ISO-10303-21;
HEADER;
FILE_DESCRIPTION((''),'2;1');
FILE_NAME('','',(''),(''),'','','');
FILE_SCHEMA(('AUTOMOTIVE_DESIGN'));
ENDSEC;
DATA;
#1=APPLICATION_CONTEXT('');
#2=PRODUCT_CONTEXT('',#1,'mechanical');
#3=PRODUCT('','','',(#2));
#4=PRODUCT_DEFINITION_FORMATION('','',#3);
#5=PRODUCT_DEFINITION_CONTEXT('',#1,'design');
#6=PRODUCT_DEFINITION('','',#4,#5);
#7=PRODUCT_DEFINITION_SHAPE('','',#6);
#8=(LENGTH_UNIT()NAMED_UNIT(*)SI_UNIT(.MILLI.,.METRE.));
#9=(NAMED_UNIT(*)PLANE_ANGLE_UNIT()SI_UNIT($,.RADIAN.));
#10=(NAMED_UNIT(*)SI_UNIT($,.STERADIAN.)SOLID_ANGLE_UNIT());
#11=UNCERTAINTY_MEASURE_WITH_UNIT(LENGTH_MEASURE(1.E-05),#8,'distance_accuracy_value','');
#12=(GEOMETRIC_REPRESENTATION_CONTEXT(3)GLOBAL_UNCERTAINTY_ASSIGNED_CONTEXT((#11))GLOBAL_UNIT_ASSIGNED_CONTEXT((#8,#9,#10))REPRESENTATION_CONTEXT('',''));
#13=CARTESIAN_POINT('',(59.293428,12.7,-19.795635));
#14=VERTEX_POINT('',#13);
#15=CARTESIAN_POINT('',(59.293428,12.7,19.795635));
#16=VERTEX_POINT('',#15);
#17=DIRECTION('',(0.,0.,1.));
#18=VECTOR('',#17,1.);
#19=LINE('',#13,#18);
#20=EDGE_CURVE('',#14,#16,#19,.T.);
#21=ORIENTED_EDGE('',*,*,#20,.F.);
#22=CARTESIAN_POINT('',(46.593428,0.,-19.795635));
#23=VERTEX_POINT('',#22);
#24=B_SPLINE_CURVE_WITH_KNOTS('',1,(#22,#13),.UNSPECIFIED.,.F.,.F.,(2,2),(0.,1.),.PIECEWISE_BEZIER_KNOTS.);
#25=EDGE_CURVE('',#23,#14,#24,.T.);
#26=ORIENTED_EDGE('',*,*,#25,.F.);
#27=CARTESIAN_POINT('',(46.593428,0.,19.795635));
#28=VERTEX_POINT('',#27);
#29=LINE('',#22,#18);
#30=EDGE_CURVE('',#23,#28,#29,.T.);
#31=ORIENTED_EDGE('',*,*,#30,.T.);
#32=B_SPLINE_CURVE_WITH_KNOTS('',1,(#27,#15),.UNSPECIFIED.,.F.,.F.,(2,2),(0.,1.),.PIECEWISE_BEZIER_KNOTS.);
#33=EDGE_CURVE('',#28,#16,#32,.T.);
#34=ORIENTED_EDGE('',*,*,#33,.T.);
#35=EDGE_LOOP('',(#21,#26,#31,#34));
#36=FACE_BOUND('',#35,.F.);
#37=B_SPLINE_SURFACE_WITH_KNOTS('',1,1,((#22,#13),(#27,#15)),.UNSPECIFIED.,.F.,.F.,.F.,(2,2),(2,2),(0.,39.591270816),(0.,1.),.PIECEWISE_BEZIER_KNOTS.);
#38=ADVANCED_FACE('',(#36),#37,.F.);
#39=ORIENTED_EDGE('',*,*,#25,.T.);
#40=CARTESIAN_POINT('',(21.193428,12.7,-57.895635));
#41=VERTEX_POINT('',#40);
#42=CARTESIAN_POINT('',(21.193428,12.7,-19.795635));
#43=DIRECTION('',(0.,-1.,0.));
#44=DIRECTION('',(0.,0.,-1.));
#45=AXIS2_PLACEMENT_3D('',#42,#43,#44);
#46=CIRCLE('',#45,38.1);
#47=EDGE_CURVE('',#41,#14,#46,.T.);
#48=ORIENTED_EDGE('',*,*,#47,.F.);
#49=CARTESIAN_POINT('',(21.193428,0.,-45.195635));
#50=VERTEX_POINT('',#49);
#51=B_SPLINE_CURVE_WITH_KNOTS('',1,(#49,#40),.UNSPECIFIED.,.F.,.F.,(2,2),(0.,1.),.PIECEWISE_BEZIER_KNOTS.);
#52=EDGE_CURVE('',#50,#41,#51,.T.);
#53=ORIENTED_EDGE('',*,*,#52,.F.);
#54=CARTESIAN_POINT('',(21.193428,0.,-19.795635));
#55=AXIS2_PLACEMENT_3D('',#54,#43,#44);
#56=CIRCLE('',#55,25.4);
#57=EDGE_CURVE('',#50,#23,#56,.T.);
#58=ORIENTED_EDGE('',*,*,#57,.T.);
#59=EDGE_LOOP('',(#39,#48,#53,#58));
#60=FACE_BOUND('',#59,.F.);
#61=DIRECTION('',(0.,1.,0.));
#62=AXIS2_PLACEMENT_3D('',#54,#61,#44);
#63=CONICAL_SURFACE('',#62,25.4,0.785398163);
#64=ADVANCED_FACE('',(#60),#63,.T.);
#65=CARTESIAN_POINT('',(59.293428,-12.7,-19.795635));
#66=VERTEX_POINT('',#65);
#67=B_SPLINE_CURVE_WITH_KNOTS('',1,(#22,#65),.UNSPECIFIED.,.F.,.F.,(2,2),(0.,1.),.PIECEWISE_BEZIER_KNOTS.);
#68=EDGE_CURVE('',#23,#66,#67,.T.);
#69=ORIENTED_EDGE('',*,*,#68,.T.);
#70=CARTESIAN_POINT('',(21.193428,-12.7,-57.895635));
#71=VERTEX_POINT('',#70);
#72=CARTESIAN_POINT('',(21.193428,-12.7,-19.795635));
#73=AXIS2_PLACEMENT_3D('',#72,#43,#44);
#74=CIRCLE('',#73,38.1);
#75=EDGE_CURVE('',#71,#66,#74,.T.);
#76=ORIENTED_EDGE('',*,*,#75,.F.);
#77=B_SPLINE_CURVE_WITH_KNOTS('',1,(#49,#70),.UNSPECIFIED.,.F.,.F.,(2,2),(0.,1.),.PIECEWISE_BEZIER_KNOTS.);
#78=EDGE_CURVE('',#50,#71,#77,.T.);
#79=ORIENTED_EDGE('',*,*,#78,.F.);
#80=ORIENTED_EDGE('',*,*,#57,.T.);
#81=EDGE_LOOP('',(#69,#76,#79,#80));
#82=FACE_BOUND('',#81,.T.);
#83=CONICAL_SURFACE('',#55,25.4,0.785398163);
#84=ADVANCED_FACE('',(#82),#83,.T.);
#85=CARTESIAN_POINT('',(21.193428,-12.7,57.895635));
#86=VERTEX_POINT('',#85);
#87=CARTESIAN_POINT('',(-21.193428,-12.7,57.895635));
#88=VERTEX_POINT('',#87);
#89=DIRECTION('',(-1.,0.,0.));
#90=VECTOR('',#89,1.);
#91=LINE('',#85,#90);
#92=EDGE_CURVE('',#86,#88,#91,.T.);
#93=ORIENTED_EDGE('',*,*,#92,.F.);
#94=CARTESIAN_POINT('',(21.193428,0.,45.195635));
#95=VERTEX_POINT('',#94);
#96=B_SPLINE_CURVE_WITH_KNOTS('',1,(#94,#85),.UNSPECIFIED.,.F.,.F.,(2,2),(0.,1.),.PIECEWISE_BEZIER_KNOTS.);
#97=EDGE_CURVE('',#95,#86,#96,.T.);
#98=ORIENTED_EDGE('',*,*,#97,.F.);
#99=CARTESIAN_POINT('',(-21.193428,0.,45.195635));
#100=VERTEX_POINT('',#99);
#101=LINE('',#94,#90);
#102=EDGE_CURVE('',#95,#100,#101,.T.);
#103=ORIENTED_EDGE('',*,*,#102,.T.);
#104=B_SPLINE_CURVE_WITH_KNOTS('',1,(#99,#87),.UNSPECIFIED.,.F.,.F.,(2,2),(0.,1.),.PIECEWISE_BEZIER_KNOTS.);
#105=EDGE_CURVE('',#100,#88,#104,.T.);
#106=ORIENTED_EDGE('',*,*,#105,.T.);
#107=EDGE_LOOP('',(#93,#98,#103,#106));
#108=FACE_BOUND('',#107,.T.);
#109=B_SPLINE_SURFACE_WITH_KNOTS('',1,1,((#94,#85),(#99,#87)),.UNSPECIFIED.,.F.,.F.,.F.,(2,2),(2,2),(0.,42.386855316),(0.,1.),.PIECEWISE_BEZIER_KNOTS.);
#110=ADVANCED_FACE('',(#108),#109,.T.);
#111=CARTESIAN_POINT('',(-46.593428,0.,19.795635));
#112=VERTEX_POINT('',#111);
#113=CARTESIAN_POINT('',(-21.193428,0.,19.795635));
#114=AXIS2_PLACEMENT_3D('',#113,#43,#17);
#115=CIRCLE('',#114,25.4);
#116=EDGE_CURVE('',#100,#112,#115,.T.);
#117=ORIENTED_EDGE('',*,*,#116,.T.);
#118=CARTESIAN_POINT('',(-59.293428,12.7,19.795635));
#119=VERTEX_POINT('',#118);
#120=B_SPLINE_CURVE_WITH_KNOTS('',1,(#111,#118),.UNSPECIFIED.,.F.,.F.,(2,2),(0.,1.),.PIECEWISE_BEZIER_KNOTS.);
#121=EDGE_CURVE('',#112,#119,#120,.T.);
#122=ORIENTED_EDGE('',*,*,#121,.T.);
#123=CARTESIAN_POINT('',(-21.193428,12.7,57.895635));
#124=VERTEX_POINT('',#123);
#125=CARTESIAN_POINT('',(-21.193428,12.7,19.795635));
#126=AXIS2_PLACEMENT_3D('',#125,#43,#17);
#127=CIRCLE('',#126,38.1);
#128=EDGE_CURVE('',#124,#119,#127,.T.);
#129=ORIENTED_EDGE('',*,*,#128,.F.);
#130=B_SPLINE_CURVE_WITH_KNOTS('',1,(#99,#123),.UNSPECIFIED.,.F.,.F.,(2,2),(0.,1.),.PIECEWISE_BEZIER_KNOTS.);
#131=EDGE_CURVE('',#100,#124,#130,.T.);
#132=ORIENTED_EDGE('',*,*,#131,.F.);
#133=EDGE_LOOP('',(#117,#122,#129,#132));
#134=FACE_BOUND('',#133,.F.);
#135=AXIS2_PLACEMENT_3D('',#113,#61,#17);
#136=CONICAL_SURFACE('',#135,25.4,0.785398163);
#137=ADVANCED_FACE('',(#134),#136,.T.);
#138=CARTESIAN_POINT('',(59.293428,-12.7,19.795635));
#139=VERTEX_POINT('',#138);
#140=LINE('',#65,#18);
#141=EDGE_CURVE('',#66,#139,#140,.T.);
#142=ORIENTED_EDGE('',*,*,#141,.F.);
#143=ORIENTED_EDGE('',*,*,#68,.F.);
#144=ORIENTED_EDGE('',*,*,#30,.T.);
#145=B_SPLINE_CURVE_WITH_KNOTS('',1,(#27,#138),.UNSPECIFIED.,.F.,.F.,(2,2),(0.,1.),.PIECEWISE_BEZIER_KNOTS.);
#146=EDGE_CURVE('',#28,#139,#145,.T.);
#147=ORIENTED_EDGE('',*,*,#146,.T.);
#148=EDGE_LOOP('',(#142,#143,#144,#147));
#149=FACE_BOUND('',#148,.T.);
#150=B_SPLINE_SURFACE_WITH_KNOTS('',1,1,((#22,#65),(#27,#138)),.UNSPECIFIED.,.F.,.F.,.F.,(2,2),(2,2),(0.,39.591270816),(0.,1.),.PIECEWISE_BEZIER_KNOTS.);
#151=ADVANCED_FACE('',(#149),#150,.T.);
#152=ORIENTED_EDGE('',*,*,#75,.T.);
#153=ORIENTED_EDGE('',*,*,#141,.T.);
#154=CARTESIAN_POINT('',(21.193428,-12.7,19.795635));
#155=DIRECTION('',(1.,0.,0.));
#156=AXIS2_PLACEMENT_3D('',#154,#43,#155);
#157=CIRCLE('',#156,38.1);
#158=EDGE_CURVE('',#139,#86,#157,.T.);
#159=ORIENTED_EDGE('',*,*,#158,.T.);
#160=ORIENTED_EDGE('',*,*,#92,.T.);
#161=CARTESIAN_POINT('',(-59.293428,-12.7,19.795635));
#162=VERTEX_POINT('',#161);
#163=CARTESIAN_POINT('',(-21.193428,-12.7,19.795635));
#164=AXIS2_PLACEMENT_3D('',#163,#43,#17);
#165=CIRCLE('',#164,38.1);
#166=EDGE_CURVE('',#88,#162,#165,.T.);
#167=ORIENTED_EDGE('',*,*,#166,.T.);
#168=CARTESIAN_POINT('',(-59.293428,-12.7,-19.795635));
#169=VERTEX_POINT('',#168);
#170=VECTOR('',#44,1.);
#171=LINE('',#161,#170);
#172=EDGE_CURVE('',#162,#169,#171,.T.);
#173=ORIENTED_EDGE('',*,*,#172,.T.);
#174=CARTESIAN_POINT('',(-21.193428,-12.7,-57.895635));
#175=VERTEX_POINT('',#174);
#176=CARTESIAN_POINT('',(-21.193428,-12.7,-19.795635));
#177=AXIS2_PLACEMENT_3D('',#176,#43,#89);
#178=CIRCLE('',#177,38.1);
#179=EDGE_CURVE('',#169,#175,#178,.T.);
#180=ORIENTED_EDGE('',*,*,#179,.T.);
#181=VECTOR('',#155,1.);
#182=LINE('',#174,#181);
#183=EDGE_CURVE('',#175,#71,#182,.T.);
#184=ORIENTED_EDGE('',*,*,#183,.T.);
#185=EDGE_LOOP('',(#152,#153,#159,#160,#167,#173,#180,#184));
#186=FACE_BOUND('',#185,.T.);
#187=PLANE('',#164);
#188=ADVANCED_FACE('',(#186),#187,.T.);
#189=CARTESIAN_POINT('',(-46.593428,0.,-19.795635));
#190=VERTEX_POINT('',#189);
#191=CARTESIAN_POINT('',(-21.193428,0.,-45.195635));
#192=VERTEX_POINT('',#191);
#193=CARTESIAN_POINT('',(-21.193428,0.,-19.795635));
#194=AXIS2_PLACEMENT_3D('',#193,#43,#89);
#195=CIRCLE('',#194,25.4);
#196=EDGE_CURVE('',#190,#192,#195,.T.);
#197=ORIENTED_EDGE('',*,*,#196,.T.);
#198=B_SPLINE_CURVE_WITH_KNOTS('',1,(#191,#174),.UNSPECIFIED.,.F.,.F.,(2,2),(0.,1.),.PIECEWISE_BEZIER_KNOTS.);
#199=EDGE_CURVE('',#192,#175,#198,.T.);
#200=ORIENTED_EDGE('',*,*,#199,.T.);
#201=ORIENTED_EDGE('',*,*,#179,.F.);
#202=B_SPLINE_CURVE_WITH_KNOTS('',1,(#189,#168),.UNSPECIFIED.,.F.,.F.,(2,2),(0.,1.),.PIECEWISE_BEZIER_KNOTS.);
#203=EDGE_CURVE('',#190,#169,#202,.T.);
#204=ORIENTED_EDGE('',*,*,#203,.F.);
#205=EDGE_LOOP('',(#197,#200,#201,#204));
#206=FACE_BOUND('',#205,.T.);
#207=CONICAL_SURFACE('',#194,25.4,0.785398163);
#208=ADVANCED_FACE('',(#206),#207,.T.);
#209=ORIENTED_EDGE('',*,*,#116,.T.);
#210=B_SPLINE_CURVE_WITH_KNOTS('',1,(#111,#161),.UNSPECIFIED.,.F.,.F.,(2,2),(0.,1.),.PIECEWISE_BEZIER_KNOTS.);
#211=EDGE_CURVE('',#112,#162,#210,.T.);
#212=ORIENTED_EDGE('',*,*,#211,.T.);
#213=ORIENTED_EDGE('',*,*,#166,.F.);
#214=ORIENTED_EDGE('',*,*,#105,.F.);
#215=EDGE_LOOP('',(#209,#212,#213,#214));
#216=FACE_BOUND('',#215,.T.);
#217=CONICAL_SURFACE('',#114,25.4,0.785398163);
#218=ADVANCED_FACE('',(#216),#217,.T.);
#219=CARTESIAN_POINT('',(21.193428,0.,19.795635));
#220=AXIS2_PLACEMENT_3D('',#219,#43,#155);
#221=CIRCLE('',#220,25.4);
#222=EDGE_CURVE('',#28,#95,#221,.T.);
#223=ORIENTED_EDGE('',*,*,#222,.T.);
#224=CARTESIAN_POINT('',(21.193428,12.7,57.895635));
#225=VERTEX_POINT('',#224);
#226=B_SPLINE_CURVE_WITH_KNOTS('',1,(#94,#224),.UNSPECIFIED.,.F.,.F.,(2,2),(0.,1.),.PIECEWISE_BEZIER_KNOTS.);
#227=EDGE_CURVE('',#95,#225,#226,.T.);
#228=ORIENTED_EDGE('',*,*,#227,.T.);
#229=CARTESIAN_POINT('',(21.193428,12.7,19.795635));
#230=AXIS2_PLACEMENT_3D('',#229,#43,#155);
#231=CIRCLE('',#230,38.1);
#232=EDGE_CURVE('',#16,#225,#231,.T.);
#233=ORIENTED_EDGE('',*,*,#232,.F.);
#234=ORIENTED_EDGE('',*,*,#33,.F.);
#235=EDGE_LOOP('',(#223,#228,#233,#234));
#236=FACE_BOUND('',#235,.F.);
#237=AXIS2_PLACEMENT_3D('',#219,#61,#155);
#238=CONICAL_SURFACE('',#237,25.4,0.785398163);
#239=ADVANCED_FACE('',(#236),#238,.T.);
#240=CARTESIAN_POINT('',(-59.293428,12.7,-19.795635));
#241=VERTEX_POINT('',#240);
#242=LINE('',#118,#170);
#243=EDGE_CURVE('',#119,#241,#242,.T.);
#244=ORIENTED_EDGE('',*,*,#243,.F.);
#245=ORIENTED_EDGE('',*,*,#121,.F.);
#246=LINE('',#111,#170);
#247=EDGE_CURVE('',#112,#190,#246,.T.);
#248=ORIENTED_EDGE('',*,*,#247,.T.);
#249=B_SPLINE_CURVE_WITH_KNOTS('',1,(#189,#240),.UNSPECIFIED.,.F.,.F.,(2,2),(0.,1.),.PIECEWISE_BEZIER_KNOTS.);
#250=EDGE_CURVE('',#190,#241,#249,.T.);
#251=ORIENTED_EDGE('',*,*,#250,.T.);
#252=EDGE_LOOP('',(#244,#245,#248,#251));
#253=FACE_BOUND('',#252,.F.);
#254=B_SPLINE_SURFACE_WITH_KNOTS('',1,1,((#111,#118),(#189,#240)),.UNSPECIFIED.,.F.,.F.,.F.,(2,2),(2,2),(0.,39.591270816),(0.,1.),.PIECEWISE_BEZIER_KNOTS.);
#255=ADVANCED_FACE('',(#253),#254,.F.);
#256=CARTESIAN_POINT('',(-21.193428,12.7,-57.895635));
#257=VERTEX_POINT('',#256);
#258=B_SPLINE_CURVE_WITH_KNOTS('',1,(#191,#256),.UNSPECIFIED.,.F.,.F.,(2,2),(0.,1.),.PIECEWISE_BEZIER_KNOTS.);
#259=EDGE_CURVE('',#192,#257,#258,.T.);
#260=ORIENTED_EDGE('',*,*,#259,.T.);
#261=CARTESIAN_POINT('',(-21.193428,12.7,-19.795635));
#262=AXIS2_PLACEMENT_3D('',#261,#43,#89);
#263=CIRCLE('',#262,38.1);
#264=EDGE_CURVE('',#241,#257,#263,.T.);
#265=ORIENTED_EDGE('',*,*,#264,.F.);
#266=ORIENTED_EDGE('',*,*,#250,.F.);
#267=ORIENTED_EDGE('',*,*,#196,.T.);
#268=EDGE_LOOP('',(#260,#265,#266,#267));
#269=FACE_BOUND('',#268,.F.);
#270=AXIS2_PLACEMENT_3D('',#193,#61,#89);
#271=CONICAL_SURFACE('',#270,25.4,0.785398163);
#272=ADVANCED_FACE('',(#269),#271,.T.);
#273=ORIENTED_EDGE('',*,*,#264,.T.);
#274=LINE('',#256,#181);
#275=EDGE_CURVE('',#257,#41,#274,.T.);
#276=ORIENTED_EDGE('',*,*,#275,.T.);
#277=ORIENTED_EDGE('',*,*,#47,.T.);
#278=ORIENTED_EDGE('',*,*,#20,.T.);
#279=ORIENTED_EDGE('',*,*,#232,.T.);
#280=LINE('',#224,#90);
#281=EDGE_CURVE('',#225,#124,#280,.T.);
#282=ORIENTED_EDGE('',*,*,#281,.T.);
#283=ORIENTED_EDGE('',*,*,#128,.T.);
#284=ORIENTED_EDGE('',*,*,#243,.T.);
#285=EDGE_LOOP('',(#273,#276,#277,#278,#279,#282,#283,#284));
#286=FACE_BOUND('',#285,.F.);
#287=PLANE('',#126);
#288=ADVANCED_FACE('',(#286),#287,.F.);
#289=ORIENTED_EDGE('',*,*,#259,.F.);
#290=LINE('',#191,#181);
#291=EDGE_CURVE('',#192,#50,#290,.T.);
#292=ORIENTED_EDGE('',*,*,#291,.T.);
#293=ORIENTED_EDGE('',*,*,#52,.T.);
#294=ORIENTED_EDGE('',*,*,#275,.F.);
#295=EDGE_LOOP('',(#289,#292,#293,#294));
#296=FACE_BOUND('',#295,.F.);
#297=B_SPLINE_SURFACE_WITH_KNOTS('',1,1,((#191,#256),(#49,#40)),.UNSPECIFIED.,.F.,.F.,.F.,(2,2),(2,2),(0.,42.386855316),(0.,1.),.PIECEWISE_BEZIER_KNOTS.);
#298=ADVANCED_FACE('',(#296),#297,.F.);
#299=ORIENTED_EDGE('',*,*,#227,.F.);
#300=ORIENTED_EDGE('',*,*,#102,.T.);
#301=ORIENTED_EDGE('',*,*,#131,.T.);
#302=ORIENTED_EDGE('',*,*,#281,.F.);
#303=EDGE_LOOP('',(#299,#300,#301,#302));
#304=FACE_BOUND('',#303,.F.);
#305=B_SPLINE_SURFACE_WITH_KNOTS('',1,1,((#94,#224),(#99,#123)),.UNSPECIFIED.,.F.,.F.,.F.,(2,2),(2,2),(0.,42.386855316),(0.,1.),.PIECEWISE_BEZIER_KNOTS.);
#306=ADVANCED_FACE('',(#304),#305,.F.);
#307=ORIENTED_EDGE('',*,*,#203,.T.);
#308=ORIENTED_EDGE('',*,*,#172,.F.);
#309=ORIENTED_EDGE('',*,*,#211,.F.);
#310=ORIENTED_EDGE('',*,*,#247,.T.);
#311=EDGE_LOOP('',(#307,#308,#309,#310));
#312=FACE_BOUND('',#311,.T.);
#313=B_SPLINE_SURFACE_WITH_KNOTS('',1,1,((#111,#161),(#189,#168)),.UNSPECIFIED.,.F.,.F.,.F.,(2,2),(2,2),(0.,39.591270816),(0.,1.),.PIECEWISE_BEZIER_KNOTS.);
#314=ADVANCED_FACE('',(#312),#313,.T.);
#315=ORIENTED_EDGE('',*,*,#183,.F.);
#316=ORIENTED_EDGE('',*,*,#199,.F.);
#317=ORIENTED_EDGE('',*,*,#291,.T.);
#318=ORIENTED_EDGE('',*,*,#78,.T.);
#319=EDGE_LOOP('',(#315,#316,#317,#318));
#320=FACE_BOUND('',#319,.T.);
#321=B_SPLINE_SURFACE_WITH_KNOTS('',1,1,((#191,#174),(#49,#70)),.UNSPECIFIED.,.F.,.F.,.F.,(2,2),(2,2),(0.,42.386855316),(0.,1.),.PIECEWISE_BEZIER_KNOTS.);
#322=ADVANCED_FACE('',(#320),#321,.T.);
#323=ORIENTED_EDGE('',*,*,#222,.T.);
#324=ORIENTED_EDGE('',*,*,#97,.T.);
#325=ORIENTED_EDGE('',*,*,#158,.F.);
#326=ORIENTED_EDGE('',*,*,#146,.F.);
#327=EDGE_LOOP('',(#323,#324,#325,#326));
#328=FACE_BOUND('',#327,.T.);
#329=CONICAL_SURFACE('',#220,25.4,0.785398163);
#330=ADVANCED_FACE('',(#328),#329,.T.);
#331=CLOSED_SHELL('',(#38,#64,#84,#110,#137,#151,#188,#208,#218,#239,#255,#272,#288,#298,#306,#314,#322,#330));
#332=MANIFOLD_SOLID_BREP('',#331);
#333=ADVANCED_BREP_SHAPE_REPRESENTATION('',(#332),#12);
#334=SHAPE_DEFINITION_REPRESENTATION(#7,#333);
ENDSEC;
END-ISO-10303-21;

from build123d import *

# Parameters (mm, degrees)
F1_DEPTH = 12.7
F1_TAPER = -45


with BuildPart() as f1:
    # F0 (on Front) → F1 (new body, symmetric)
    with BuildSketch(Plane.XZ):
        with BuildLine():
            Line((21.1934276581, 45.1956354082), (-21.1934276581, 45.1956354082))
            ThreePointArc((-21.1934276581, 45.1956354082), (-39.1539399002, 37.7561476503), (-46.5934276581, 19.7956354082))
            Line((-46.5934276581, 19.7956354082), (-46.5934276581, -19.7956354082))
            ThreePointArc((-46.5934276581, -19.7956354082), (-39.1539399002, -37.7561476503), (-21.1934276581, -45.1956354082))
            Line((-21.1934276581, -45.1956354082), (21.1934276581, -45.1956354082))
            ThreePointArc((21.1934276581, -45.1956354082), (39.1539399002, -37.7561476503), (46.5934276581, -19.7956354082))
            Line((46.5934276581, -19.7956354082), (46.5934276581, 19.7956354082))
            ThreePointArc((46.5934276581, 19.7956354082), (39.1539399002, 37.7561476503), (21.1934276581, 45.1956354082))
        make_face()
    extrude(amount=F1_DEPTH, both=True, taper=F1_TAPER)


solid = f1.part
